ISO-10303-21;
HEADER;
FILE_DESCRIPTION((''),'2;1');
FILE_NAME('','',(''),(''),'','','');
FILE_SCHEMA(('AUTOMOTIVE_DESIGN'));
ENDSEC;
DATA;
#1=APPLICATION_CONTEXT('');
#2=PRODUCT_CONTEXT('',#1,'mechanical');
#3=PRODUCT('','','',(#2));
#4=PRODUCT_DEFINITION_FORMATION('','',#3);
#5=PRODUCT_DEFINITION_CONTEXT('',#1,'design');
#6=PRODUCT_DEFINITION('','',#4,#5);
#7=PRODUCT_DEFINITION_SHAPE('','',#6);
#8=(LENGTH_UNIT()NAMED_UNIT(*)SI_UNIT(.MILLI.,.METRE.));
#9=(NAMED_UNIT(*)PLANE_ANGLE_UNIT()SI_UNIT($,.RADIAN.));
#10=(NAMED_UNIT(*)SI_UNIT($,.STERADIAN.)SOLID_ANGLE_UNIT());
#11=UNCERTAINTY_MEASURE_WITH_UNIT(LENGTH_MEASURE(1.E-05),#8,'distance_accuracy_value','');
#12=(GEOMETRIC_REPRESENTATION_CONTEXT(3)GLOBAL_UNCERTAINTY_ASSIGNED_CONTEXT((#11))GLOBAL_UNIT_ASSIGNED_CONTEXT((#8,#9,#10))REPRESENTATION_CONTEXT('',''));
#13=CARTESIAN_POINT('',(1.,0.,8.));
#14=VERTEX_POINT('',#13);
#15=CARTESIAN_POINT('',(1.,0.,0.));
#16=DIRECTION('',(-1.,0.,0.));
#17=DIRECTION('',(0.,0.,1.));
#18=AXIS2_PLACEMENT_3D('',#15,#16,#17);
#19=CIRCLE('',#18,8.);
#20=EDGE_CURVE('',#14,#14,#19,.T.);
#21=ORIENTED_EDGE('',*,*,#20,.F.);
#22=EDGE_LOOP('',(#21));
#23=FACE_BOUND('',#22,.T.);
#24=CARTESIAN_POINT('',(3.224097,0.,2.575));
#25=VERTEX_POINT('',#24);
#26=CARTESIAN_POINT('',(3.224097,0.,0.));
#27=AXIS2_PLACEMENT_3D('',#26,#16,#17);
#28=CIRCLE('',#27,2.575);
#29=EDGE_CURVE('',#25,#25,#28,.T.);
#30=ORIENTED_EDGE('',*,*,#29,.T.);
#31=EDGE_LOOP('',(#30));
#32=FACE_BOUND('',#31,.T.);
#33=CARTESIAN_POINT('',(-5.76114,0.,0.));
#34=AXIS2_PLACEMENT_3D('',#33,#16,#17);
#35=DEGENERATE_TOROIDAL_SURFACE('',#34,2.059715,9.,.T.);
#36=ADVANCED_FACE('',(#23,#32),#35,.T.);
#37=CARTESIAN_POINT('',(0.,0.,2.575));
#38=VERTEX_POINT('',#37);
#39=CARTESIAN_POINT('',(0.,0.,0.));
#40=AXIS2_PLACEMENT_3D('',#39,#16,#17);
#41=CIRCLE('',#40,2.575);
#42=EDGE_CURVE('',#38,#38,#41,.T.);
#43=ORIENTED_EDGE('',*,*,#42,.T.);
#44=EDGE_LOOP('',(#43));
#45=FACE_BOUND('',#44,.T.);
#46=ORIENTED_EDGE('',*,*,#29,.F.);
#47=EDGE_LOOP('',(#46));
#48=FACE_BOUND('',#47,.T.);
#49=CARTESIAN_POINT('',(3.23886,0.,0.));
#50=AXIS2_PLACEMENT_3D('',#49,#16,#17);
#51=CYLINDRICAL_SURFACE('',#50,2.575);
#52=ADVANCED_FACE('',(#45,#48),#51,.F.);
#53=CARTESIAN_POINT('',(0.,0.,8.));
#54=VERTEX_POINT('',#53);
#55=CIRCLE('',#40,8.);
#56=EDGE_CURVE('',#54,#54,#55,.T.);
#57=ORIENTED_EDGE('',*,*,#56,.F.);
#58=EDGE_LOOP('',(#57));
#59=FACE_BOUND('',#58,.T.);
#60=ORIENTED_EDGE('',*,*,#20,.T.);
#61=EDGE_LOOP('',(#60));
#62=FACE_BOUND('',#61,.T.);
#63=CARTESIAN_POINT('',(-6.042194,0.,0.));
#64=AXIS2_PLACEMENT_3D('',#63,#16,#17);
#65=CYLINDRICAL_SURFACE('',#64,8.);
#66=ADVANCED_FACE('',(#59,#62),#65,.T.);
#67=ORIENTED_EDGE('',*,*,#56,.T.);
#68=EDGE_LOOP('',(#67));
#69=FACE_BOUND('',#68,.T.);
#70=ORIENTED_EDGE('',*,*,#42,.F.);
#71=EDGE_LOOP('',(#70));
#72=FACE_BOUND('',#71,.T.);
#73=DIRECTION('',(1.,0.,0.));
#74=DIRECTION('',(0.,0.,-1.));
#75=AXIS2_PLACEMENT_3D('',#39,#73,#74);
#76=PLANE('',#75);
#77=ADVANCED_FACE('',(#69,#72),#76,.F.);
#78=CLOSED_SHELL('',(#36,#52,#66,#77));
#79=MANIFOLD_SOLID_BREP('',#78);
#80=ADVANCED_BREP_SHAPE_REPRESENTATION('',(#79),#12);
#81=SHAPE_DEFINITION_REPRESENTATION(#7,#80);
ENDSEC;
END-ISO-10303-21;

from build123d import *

# Parameters (mm, degrees)
SKETCH2_R          = 2.575
CUT_EXTRUDE1_DEPTH = 4.238860099


with BuildPart() as part:
    # Sketch1 → Revolve1 (revolve)
    with BuildSketch(Plane.XY):
        with BuildLine():
            Line((0, 0), (0, 8))
            Line((0, 8), (1, 8))
            ThreePointArc((1, 8), (2.9701425, 4.242535625), (3, 0))
            Line((3, 0), (0, 0))
        make_face()
    revolve(axis=Axis((-6.042194093, 0, 0), (1, 0, 0)))

    # Sketch2 → Cut-Extrude1 (cut, through all)
    with BuildSketch(Plane.ZY):
        Circle(SKETCH2_R)
    extrude(amount=-CUT_EXTRUDE1_DEPTH, mode=Mode.SUBTRACT)


solid = part.part
